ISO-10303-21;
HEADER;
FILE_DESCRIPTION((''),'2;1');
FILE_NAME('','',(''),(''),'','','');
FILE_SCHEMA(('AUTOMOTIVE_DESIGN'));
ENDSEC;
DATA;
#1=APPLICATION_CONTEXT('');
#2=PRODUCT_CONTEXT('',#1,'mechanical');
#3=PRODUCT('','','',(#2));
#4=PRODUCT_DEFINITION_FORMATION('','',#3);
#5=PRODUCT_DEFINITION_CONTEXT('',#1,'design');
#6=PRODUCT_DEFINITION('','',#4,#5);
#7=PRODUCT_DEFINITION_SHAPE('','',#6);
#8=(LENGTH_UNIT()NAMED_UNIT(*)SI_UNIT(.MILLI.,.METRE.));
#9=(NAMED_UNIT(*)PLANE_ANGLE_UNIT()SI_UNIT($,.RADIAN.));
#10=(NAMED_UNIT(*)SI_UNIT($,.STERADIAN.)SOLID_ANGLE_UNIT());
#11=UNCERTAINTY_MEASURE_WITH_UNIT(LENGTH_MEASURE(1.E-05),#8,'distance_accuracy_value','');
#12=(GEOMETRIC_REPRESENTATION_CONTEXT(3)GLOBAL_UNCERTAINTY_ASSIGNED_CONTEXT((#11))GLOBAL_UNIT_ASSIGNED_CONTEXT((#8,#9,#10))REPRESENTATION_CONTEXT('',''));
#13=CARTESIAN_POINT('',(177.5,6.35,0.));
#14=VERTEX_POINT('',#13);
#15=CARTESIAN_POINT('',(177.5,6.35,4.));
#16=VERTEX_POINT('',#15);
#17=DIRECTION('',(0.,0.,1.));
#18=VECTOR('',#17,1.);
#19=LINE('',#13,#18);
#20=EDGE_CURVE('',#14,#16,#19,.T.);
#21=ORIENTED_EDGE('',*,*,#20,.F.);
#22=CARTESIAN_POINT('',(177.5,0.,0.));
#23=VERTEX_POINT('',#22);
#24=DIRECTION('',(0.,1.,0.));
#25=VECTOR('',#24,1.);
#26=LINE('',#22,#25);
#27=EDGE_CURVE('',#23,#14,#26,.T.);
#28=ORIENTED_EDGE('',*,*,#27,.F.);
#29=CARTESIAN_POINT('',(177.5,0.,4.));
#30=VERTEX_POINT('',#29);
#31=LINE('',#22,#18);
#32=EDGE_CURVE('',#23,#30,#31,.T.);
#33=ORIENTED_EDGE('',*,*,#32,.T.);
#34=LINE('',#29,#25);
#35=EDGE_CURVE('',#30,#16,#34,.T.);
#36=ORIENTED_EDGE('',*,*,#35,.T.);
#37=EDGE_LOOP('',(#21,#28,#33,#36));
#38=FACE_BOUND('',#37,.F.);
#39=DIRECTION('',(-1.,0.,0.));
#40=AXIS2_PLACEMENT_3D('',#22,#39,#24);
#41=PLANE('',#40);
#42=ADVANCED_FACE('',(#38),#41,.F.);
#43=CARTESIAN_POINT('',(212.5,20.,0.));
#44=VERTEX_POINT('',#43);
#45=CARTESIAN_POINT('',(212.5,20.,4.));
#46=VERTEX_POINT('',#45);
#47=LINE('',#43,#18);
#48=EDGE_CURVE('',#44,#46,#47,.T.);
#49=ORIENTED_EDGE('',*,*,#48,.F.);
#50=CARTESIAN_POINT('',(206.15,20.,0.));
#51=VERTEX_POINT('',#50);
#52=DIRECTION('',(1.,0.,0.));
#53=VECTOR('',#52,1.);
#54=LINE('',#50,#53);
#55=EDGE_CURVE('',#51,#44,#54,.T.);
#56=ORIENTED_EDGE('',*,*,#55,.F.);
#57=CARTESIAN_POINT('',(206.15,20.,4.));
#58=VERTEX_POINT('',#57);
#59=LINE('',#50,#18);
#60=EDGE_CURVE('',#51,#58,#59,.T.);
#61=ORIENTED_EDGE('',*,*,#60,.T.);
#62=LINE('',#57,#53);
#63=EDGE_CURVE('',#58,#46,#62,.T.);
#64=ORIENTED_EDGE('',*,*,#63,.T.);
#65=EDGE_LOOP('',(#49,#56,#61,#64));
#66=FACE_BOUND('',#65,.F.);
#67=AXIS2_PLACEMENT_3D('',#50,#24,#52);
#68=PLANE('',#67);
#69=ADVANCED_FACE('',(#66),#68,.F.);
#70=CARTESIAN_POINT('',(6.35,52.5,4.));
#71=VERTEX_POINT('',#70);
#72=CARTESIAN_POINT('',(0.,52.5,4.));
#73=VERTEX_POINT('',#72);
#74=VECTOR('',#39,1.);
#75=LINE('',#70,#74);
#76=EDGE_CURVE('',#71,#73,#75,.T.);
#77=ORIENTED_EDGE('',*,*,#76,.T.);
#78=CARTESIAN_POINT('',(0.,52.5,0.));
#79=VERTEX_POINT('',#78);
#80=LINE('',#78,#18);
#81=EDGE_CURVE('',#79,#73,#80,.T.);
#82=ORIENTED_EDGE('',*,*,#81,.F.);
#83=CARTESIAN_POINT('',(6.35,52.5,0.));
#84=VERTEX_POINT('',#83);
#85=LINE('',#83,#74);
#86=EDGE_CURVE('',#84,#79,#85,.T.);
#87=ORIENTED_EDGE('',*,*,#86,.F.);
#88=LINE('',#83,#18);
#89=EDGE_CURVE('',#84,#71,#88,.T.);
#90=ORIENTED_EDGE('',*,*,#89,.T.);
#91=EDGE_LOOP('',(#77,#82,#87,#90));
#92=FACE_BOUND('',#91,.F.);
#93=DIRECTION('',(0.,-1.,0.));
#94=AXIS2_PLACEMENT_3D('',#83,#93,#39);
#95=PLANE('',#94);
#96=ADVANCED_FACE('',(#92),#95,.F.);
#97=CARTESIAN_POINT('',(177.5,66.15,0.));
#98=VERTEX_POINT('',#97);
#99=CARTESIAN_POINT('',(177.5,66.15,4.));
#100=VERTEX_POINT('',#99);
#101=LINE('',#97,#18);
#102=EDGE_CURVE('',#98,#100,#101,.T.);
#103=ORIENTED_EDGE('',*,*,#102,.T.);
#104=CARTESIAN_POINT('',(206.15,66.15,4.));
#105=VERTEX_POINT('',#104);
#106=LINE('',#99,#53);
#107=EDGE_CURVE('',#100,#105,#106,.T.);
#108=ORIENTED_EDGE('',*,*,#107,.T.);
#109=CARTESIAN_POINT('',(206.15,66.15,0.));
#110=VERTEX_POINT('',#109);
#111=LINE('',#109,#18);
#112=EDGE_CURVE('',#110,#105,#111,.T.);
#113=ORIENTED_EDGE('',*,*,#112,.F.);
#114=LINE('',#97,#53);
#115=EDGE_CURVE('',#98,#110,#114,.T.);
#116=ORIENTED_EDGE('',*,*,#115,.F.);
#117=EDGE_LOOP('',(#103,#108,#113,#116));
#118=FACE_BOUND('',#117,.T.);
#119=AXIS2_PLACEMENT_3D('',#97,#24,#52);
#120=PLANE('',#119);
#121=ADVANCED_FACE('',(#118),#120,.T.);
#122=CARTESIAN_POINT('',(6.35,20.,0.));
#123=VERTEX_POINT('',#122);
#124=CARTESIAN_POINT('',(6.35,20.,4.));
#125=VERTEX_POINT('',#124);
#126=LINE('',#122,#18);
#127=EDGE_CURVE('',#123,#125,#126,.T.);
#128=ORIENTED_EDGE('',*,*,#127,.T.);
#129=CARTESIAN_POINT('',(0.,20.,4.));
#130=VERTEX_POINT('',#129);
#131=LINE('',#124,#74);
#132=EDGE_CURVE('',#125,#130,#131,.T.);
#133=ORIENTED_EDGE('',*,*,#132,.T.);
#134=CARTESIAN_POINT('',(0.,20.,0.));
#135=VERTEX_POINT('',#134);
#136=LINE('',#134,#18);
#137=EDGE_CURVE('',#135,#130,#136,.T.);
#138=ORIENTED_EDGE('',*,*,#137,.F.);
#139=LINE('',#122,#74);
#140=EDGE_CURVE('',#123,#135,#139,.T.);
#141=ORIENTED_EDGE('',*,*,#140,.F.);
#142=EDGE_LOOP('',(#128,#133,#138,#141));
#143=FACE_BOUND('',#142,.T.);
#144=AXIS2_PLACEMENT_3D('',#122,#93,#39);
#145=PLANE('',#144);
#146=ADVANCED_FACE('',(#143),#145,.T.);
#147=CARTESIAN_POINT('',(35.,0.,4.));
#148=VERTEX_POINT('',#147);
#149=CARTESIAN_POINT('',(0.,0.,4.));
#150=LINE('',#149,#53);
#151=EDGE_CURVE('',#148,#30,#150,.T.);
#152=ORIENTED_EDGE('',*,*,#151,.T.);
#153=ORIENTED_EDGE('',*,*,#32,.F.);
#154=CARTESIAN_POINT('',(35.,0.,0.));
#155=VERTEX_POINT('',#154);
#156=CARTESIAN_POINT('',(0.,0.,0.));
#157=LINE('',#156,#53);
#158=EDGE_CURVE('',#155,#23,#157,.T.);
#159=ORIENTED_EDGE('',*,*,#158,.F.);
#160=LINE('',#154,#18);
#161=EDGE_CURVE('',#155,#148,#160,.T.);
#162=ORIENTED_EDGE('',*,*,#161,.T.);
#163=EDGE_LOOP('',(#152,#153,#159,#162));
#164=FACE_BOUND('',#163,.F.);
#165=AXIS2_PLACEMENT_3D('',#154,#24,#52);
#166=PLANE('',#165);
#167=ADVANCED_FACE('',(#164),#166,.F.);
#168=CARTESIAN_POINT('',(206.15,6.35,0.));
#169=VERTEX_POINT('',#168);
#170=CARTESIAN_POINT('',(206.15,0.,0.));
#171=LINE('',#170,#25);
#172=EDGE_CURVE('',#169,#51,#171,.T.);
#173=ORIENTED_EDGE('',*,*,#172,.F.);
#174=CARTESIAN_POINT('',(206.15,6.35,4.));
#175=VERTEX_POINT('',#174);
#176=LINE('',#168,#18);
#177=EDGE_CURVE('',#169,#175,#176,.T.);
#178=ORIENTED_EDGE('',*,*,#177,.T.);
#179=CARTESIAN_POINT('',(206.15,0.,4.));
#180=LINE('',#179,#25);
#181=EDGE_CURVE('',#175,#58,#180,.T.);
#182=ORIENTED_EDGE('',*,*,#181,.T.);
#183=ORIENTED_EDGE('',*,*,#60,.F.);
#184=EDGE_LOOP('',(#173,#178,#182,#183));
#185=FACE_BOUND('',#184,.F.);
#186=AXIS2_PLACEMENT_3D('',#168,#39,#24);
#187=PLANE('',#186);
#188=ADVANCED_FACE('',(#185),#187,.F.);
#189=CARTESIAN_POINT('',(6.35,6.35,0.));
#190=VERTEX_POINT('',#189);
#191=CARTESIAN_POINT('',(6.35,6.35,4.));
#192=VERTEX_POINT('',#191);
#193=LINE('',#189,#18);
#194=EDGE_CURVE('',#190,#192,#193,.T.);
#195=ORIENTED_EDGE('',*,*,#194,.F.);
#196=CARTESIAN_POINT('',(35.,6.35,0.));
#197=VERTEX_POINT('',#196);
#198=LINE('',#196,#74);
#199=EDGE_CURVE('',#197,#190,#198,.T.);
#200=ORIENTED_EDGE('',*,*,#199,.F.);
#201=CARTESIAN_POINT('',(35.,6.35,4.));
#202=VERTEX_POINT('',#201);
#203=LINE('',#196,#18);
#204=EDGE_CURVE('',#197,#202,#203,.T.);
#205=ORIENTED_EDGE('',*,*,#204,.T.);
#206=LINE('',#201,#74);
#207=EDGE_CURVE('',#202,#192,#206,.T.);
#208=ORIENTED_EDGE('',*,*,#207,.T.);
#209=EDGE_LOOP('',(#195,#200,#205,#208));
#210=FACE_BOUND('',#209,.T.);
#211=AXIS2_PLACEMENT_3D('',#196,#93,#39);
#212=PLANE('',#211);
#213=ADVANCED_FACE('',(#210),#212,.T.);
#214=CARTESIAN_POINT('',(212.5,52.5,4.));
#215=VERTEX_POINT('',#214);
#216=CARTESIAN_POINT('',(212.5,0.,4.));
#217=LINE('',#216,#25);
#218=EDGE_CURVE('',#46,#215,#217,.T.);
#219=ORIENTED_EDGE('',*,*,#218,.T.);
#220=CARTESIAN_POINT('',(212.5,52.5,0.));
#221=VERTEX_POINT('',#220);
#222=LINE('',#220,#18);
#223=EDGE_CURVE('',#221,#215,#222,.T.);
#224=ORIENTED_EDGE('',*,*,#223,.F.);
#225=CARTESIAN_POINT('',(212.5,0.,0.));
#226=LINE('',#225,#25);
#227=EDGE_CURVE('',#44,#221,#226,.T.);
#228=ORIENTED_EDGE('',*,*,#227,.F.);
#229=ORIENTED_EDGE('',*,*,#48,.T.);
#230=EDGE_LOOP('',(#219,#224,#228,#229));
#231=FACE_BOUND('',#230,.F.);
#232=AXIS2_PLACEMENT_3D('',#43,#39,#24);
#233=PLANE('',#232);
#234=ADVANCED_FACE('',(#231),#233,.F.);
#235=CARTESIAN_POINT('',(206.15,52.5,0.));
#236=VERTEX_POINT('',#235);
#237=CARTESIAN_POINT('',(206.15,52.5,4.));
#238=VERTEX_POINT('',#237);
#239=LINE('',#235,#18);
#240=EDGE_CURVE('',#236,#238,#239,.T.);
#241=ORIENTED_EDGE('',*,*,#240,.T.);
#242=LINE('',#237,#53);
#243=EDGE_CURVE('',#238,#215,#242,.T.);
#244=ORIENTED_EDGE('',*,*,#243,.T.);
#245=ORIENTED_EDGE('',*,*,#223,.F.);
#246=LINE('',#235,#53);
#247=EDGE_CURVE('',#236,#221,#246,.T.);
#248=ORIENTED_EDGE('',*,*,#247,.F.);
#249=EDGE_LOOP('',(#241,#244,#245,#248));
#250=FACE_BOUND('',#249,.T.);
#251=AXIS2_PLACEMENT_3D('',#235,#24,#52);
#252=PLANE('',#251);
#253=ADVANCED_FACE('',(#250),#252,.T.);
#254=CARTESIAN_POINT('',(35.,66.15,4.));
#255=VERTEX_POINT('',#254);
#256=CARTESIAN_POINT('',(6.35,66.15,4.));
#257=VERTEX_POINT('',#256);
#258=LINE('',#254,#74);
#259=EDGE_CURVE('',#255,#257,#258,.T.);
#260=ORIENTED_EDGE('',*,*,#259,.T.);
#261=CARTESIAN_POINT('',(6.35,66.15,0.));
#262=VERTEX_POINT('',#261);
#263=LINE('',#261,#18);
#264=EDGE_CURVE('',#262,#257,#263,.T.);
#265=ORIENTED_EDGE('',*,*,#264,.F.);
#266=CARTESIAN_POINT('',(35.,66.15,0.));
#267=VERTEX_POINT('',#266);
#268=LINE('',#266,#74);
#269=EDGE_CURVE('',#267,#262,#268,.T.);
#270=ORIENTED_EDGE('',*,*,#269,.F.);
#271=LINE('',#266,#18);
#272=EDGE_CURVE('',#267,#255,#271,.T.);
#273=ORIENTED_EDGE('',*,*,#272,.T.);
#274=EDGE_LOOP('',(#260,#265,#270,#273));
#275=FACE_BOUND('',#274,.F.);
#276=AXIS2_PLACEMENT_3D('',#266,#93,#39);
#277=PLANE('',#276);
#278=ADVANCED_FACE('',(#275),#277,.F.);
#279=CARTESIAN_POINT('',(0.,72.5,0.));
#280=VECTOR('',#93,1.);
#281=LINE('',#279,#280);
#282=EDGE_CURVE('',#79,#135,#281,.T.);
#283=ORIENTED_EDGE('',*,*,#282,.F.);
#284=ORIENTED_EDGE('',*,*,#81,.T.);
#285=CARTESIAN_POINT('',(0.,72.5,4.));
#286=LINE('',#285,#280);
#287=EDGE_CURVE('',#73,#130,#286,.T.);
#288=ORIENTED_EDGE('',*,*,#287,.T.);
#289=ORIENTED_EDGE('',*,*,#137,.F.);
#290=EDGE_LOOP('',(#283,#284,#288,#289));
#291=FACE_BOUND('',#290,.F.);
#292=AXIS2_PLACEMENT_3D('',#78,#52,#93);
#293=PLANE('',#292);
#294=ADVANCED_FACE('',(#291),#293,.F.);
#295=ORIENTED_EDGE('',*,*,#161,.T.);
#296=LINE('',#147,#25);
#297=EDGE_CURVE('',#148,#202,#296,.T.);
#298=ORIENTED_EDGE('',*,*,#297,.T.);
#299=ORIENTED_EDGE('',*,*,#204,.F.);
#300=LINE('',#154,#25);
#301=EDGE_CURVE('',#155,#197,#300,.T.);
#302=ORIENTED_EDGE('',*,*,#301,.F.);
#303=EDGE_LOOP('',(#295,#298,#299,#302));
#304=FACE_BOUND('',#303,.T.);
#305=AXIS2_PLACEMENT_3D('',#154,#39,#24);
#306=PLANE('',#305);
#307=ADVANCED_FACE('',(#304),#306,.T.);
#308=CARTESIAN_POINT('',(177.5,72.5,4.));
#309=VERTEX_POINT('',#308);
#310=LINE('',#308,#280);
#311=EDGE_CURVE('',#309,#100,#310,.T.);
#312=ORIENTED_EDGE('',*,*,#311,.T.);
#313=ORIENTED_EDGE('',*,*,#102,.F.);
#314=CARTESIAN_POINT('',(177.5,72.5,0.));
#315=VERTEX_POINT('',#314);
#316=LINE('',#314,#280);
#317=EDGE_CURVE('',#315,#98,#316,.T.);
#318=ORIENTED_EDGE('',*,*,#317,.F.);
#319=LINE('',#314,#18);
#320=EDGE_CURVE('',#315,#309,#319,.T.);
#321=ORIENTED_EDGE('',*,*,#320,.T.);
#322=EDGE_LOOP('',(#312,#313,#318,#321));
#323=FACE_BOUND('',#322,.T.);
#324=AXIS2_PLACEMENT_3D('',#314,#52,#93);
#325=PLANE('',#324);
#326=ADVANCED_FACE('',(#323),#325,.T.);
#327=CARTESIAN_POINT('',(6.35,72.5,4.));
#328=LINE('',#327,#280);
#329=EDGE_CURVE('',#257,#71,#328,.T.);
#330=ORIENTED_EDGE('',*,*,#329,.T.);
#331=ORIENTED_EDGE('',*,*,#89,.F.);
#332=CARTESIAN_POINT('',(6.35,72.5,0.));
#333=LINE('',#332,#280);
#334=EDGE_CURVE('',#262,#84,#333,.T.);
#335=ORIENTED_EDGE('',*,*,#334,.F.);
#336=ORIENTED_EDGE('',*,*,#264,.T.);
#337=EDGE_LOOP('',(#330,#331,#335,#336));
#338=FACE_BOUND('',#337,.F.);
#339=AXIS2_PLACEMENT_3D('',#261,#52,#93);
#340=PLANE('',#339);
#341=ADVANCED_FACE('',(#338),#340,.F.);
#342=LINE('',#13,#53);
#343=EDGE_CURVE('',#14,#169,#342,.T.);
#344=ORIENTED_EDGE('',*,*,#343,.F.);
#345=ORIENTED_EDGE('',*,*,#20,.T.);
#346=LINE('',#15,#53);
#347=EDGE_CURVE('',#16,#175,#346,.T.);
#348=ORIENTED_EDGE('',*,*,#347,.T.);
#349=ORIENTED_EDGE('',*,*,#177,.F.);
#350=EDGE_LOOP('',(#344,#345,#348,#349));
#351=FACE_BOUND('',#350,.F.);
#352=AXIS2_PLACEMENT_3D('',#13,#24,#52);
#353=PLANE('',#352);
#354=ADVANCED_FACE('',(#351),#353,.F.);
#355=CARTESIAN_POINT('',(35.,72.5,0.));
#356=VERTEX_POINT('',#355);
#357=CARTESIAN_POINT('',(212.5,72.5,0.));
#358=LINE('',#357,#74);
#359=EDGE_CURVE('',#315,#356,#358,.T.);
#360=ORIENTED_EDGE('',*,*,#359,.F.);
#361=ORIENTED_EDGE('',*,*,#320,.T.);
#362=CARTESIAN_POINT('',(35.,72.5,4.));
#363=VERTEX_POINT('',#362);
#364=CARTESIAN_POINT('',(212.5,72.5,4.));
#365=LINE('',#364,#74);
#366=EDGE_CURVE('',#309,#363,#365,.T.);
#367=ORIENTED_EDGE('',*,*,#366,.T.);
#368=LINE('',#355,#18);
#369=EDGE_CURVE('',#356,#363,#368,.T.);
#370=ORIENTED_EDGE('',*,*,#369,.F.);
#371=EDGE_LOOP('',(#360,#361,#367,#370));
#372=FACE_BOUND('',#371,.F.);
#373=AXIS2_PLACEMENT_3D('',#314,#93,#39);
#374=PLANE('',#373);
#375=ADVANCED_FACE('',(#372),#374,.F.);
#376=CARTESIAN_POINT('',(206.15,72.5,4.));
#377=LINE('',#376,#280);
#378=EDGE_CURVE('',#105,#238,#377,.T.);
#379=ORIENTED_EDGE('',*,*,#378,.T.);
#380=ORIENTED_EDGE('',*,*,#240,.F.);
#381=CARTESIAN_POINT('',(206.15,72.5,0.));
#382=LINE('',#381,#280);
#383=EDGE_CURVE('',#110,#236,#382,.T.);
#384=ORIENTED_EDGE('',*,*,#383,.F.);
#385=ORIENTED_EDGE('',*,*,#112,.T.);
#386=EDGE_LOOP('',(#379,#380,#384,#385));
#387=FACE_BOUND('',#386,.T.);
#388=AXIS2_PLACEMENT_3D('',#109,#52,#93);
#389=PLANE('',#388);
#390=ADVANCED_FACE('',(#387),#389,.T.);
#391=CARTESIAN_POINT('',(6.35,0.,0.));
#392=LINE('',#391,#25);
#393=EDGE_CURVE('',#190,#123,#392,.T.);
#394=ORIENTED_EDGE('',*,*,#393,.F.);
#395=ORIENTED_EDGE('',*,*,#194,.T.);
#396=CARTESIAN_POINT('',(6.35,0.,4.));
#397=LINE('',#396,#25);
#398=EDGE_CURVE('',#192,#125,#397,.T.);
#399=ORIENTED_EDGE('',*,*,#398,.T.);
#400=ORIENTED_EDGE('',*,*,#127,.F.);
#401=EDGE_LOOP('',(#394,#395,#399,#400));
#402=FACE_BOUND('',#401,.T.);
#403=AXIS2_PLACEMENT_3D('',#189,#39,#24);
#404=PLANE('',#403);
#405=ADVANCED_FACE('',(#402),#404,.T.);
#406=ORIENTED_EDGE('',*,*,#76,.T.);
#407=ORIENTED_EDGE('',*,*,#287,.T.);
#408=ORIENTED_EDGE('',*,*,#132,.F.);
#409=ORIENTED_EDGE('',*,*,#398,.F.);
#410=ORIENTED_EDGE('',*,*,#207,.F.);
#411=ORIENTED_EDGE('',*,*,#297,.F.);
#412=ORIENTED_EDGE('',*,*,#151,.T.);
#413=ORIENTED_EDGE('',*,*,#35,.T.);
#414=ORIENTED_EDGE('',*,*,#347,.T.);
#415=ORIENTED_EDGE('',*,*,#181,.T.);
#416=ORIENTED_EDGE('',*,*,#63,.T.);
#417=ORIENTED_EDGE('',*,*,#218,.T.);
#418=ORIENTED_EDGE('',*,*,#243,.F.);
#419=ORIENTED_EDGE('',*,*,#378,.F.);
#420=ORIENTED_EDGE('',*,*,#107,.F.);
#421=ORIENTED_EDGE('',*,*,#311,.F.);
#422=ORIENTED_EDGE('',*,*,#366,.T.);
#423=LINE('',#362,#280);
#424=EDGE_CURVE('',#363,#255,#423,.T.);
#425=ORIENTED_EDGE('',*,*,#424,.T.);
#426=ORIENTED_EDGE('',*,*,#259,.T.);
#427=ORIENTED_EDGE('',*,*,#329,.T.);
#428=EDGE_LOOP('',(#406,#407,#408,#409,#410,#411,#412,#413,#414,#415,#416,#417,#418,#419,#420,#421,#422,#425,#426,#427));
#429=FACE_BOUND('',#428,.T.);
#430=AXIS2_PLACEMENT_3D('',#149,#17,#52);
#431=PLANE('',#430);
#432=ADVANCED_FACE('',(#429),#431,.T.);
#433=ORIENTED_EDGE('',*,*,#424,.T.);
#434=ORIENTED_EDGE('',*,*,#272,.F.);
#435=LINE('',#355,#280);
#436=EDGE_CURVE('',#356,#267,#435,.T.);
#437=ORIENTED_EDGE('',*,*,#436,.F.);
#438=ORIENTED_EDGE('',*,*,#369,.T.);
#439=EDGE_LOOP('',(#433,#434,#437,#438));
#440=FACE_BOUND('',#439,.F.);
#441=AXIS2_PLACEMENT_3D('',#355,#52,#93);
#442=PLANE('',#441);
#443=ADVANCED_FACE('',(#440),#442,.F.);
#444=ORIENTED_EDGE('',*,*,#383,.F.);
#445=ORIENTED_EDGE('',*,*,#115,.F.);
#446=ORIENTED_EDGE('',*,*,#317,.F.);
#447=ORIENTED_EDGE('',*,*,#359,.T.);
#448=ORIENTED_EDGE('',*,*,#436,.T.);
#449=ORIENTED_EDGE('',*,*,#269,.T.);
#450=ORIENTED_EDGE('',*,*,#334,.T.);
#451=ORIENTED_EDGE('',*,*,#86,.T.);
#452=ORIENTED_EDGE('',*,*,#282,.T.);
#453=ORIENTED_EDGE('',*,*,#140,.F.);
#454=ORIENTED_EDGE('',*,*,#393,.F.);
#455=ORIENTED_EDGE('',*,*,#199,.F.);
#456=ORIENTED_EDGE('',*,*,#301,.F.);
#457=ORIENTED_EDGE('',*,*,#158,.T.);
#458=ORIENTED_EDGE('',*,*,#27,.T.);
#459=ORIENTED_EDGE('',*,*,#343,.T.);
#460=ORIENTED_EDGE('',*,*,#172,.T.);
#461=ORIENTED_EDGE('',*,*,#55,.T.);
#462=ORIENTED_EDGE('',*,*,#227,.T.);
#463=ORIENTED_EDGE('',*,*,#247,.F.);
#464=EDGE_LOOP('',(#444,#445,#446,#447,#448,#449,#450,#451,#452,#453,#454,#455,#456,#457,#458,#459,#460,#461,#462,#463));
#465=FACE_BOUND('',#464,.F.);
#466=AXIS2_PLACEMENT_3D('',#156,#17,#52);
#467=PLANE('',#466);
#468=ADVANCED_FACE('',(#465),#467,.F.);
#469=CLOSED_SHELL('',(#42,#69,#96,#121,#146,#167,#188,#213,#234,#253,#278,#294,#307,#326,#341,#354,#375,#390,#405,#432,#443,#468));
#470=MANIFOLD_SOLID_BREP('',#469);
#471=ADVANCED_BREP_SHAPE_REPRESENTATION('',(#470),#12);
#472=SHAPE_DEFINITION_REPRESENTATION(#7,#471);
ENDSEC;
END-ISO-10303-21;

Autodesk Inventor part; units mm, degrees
ref_plane "YZ Plane" through (0, 0, 0) normal (1, 0, 0) x (0, 1, 0)
ref_plane "XZ Plane" through (0, 0, 0) normal (0, 1, 0) x (-1, 0, 0)
ref_plane "XY Plane" through (0, 0, 0) normal (0, 0, 1) x (1, 0, 0)
sketch "Skizze1" plane through (0, 0, 0) normal (0, 0, 1) x (1, 0, 0)
  line L0 (0, 0) -> (212.5, 0)
  line L1 (212.5, 0) -> (212.5, 72.5)
  line L2 (212.5, 72.5) -> (0, 72.5)
  line L3 (0, 72.5) -> (0, 0)
  line L4 (0, 72.5) -> (35, 72.5)
  line L5 (35, 72.5) -> (35, 66.15)
  line L6 (35, 66.15) -> (0, 66.15)
  line L7 (0, 66.15) -> (0, 72.5)
  line L8 (0, 72.5) -> (6.35, 72.5)
  line L9 (6.35, 72.5) -> (6.35, 52.5)
  line L10 (6.35, 52.5) -> (0, 52.5)
  line L11 (0, 52.5) -> (0, 72.5)
  line L12 (0, 36.25) -> (212.5, 36.25) construction
  line L13 (106.25, 72.5) -> (106.25, 0) construction
  line L14 (0, 0) -> (35, 0)
  line L15 (35, 0) -> (35, 6.35)
  line L16 (35, 6.35) -> (0, 6.35)
  line L17 (0, 6.35) -> (0, 0)
  line L18 (0, 0) -> (6.35, 0)
  line L19 (6.35, 0) -> (6.35, 20)
  line L20 (6.35, 20) -> (0, 20)
  line L21 (0, 20) -> (0, 0)
  line L22 (212.5, 72.5) -> (212.5, 0)
  line L23 (212.5, 72.5) -> (177.5, 72.5)
  line L24 (177.5, 72.5) -> (177.5, 66.15)
  line L25 (177.5, 66.15) -> (212.5, 66.15)
  line L26 (212.5, 66.15) -> (212.5, 72.5)
  line L27 (212.5, 72.5) -> (206.15, 72.5)
  line L28 (206.15, 72.5) -> (206.15, 52.5)
  line L29 (206.15, 52.5) -> (212.5, 52.5)
  line L30 (212.5, 52.5) -> (212.5, 72.5)
  line L31 (212.5, 0) -> (206.15, 0)
  line L32 (212.5, 0) -> (177.5, 0)
  line L33 (177.5, 0) -> (177.5, 6.35)
  line L34 (177.5, 6.35) -> (212.5, 6.35)
  line L35 (206.15, 0) -> (206.15, 20)
  line L36 (212.5, 6.35) -> (212.5, 0)
  line L37 (206.15, 20) -> (212.5, 20)
  line L38 (212.5, 20) -> (212.5, 0)
  point P0 (212.5, 52.5)
  point P1 (206.15, 66.15)
  point P2 (6.35, 66.15)
  point P3 (0, 52.5)
  point P4 (0, 20)
  point P5 (6.35, 6.35)
  point P6 (206.15, 6.35)
  dimension "d0" = 212.5
  dimension "d1" = 72.5
  dimension "d2" = 35
  dimension "d3" = 6.35
  dimension "d4" = 6.35
  dimension "d5" = 20
extrude "Extrusion1" add sketch "Skizze1" along normal blind 4 contours L15 L16 L19 L20 L3 L10 L9 L6 L5 L2 L24 L25 L28 L29 L1 L37 L35 L34 L33 L0
properties part number "103.011.01_Abdeckung_Gestell_seitlich" material "PMMA-Kunststoff"
